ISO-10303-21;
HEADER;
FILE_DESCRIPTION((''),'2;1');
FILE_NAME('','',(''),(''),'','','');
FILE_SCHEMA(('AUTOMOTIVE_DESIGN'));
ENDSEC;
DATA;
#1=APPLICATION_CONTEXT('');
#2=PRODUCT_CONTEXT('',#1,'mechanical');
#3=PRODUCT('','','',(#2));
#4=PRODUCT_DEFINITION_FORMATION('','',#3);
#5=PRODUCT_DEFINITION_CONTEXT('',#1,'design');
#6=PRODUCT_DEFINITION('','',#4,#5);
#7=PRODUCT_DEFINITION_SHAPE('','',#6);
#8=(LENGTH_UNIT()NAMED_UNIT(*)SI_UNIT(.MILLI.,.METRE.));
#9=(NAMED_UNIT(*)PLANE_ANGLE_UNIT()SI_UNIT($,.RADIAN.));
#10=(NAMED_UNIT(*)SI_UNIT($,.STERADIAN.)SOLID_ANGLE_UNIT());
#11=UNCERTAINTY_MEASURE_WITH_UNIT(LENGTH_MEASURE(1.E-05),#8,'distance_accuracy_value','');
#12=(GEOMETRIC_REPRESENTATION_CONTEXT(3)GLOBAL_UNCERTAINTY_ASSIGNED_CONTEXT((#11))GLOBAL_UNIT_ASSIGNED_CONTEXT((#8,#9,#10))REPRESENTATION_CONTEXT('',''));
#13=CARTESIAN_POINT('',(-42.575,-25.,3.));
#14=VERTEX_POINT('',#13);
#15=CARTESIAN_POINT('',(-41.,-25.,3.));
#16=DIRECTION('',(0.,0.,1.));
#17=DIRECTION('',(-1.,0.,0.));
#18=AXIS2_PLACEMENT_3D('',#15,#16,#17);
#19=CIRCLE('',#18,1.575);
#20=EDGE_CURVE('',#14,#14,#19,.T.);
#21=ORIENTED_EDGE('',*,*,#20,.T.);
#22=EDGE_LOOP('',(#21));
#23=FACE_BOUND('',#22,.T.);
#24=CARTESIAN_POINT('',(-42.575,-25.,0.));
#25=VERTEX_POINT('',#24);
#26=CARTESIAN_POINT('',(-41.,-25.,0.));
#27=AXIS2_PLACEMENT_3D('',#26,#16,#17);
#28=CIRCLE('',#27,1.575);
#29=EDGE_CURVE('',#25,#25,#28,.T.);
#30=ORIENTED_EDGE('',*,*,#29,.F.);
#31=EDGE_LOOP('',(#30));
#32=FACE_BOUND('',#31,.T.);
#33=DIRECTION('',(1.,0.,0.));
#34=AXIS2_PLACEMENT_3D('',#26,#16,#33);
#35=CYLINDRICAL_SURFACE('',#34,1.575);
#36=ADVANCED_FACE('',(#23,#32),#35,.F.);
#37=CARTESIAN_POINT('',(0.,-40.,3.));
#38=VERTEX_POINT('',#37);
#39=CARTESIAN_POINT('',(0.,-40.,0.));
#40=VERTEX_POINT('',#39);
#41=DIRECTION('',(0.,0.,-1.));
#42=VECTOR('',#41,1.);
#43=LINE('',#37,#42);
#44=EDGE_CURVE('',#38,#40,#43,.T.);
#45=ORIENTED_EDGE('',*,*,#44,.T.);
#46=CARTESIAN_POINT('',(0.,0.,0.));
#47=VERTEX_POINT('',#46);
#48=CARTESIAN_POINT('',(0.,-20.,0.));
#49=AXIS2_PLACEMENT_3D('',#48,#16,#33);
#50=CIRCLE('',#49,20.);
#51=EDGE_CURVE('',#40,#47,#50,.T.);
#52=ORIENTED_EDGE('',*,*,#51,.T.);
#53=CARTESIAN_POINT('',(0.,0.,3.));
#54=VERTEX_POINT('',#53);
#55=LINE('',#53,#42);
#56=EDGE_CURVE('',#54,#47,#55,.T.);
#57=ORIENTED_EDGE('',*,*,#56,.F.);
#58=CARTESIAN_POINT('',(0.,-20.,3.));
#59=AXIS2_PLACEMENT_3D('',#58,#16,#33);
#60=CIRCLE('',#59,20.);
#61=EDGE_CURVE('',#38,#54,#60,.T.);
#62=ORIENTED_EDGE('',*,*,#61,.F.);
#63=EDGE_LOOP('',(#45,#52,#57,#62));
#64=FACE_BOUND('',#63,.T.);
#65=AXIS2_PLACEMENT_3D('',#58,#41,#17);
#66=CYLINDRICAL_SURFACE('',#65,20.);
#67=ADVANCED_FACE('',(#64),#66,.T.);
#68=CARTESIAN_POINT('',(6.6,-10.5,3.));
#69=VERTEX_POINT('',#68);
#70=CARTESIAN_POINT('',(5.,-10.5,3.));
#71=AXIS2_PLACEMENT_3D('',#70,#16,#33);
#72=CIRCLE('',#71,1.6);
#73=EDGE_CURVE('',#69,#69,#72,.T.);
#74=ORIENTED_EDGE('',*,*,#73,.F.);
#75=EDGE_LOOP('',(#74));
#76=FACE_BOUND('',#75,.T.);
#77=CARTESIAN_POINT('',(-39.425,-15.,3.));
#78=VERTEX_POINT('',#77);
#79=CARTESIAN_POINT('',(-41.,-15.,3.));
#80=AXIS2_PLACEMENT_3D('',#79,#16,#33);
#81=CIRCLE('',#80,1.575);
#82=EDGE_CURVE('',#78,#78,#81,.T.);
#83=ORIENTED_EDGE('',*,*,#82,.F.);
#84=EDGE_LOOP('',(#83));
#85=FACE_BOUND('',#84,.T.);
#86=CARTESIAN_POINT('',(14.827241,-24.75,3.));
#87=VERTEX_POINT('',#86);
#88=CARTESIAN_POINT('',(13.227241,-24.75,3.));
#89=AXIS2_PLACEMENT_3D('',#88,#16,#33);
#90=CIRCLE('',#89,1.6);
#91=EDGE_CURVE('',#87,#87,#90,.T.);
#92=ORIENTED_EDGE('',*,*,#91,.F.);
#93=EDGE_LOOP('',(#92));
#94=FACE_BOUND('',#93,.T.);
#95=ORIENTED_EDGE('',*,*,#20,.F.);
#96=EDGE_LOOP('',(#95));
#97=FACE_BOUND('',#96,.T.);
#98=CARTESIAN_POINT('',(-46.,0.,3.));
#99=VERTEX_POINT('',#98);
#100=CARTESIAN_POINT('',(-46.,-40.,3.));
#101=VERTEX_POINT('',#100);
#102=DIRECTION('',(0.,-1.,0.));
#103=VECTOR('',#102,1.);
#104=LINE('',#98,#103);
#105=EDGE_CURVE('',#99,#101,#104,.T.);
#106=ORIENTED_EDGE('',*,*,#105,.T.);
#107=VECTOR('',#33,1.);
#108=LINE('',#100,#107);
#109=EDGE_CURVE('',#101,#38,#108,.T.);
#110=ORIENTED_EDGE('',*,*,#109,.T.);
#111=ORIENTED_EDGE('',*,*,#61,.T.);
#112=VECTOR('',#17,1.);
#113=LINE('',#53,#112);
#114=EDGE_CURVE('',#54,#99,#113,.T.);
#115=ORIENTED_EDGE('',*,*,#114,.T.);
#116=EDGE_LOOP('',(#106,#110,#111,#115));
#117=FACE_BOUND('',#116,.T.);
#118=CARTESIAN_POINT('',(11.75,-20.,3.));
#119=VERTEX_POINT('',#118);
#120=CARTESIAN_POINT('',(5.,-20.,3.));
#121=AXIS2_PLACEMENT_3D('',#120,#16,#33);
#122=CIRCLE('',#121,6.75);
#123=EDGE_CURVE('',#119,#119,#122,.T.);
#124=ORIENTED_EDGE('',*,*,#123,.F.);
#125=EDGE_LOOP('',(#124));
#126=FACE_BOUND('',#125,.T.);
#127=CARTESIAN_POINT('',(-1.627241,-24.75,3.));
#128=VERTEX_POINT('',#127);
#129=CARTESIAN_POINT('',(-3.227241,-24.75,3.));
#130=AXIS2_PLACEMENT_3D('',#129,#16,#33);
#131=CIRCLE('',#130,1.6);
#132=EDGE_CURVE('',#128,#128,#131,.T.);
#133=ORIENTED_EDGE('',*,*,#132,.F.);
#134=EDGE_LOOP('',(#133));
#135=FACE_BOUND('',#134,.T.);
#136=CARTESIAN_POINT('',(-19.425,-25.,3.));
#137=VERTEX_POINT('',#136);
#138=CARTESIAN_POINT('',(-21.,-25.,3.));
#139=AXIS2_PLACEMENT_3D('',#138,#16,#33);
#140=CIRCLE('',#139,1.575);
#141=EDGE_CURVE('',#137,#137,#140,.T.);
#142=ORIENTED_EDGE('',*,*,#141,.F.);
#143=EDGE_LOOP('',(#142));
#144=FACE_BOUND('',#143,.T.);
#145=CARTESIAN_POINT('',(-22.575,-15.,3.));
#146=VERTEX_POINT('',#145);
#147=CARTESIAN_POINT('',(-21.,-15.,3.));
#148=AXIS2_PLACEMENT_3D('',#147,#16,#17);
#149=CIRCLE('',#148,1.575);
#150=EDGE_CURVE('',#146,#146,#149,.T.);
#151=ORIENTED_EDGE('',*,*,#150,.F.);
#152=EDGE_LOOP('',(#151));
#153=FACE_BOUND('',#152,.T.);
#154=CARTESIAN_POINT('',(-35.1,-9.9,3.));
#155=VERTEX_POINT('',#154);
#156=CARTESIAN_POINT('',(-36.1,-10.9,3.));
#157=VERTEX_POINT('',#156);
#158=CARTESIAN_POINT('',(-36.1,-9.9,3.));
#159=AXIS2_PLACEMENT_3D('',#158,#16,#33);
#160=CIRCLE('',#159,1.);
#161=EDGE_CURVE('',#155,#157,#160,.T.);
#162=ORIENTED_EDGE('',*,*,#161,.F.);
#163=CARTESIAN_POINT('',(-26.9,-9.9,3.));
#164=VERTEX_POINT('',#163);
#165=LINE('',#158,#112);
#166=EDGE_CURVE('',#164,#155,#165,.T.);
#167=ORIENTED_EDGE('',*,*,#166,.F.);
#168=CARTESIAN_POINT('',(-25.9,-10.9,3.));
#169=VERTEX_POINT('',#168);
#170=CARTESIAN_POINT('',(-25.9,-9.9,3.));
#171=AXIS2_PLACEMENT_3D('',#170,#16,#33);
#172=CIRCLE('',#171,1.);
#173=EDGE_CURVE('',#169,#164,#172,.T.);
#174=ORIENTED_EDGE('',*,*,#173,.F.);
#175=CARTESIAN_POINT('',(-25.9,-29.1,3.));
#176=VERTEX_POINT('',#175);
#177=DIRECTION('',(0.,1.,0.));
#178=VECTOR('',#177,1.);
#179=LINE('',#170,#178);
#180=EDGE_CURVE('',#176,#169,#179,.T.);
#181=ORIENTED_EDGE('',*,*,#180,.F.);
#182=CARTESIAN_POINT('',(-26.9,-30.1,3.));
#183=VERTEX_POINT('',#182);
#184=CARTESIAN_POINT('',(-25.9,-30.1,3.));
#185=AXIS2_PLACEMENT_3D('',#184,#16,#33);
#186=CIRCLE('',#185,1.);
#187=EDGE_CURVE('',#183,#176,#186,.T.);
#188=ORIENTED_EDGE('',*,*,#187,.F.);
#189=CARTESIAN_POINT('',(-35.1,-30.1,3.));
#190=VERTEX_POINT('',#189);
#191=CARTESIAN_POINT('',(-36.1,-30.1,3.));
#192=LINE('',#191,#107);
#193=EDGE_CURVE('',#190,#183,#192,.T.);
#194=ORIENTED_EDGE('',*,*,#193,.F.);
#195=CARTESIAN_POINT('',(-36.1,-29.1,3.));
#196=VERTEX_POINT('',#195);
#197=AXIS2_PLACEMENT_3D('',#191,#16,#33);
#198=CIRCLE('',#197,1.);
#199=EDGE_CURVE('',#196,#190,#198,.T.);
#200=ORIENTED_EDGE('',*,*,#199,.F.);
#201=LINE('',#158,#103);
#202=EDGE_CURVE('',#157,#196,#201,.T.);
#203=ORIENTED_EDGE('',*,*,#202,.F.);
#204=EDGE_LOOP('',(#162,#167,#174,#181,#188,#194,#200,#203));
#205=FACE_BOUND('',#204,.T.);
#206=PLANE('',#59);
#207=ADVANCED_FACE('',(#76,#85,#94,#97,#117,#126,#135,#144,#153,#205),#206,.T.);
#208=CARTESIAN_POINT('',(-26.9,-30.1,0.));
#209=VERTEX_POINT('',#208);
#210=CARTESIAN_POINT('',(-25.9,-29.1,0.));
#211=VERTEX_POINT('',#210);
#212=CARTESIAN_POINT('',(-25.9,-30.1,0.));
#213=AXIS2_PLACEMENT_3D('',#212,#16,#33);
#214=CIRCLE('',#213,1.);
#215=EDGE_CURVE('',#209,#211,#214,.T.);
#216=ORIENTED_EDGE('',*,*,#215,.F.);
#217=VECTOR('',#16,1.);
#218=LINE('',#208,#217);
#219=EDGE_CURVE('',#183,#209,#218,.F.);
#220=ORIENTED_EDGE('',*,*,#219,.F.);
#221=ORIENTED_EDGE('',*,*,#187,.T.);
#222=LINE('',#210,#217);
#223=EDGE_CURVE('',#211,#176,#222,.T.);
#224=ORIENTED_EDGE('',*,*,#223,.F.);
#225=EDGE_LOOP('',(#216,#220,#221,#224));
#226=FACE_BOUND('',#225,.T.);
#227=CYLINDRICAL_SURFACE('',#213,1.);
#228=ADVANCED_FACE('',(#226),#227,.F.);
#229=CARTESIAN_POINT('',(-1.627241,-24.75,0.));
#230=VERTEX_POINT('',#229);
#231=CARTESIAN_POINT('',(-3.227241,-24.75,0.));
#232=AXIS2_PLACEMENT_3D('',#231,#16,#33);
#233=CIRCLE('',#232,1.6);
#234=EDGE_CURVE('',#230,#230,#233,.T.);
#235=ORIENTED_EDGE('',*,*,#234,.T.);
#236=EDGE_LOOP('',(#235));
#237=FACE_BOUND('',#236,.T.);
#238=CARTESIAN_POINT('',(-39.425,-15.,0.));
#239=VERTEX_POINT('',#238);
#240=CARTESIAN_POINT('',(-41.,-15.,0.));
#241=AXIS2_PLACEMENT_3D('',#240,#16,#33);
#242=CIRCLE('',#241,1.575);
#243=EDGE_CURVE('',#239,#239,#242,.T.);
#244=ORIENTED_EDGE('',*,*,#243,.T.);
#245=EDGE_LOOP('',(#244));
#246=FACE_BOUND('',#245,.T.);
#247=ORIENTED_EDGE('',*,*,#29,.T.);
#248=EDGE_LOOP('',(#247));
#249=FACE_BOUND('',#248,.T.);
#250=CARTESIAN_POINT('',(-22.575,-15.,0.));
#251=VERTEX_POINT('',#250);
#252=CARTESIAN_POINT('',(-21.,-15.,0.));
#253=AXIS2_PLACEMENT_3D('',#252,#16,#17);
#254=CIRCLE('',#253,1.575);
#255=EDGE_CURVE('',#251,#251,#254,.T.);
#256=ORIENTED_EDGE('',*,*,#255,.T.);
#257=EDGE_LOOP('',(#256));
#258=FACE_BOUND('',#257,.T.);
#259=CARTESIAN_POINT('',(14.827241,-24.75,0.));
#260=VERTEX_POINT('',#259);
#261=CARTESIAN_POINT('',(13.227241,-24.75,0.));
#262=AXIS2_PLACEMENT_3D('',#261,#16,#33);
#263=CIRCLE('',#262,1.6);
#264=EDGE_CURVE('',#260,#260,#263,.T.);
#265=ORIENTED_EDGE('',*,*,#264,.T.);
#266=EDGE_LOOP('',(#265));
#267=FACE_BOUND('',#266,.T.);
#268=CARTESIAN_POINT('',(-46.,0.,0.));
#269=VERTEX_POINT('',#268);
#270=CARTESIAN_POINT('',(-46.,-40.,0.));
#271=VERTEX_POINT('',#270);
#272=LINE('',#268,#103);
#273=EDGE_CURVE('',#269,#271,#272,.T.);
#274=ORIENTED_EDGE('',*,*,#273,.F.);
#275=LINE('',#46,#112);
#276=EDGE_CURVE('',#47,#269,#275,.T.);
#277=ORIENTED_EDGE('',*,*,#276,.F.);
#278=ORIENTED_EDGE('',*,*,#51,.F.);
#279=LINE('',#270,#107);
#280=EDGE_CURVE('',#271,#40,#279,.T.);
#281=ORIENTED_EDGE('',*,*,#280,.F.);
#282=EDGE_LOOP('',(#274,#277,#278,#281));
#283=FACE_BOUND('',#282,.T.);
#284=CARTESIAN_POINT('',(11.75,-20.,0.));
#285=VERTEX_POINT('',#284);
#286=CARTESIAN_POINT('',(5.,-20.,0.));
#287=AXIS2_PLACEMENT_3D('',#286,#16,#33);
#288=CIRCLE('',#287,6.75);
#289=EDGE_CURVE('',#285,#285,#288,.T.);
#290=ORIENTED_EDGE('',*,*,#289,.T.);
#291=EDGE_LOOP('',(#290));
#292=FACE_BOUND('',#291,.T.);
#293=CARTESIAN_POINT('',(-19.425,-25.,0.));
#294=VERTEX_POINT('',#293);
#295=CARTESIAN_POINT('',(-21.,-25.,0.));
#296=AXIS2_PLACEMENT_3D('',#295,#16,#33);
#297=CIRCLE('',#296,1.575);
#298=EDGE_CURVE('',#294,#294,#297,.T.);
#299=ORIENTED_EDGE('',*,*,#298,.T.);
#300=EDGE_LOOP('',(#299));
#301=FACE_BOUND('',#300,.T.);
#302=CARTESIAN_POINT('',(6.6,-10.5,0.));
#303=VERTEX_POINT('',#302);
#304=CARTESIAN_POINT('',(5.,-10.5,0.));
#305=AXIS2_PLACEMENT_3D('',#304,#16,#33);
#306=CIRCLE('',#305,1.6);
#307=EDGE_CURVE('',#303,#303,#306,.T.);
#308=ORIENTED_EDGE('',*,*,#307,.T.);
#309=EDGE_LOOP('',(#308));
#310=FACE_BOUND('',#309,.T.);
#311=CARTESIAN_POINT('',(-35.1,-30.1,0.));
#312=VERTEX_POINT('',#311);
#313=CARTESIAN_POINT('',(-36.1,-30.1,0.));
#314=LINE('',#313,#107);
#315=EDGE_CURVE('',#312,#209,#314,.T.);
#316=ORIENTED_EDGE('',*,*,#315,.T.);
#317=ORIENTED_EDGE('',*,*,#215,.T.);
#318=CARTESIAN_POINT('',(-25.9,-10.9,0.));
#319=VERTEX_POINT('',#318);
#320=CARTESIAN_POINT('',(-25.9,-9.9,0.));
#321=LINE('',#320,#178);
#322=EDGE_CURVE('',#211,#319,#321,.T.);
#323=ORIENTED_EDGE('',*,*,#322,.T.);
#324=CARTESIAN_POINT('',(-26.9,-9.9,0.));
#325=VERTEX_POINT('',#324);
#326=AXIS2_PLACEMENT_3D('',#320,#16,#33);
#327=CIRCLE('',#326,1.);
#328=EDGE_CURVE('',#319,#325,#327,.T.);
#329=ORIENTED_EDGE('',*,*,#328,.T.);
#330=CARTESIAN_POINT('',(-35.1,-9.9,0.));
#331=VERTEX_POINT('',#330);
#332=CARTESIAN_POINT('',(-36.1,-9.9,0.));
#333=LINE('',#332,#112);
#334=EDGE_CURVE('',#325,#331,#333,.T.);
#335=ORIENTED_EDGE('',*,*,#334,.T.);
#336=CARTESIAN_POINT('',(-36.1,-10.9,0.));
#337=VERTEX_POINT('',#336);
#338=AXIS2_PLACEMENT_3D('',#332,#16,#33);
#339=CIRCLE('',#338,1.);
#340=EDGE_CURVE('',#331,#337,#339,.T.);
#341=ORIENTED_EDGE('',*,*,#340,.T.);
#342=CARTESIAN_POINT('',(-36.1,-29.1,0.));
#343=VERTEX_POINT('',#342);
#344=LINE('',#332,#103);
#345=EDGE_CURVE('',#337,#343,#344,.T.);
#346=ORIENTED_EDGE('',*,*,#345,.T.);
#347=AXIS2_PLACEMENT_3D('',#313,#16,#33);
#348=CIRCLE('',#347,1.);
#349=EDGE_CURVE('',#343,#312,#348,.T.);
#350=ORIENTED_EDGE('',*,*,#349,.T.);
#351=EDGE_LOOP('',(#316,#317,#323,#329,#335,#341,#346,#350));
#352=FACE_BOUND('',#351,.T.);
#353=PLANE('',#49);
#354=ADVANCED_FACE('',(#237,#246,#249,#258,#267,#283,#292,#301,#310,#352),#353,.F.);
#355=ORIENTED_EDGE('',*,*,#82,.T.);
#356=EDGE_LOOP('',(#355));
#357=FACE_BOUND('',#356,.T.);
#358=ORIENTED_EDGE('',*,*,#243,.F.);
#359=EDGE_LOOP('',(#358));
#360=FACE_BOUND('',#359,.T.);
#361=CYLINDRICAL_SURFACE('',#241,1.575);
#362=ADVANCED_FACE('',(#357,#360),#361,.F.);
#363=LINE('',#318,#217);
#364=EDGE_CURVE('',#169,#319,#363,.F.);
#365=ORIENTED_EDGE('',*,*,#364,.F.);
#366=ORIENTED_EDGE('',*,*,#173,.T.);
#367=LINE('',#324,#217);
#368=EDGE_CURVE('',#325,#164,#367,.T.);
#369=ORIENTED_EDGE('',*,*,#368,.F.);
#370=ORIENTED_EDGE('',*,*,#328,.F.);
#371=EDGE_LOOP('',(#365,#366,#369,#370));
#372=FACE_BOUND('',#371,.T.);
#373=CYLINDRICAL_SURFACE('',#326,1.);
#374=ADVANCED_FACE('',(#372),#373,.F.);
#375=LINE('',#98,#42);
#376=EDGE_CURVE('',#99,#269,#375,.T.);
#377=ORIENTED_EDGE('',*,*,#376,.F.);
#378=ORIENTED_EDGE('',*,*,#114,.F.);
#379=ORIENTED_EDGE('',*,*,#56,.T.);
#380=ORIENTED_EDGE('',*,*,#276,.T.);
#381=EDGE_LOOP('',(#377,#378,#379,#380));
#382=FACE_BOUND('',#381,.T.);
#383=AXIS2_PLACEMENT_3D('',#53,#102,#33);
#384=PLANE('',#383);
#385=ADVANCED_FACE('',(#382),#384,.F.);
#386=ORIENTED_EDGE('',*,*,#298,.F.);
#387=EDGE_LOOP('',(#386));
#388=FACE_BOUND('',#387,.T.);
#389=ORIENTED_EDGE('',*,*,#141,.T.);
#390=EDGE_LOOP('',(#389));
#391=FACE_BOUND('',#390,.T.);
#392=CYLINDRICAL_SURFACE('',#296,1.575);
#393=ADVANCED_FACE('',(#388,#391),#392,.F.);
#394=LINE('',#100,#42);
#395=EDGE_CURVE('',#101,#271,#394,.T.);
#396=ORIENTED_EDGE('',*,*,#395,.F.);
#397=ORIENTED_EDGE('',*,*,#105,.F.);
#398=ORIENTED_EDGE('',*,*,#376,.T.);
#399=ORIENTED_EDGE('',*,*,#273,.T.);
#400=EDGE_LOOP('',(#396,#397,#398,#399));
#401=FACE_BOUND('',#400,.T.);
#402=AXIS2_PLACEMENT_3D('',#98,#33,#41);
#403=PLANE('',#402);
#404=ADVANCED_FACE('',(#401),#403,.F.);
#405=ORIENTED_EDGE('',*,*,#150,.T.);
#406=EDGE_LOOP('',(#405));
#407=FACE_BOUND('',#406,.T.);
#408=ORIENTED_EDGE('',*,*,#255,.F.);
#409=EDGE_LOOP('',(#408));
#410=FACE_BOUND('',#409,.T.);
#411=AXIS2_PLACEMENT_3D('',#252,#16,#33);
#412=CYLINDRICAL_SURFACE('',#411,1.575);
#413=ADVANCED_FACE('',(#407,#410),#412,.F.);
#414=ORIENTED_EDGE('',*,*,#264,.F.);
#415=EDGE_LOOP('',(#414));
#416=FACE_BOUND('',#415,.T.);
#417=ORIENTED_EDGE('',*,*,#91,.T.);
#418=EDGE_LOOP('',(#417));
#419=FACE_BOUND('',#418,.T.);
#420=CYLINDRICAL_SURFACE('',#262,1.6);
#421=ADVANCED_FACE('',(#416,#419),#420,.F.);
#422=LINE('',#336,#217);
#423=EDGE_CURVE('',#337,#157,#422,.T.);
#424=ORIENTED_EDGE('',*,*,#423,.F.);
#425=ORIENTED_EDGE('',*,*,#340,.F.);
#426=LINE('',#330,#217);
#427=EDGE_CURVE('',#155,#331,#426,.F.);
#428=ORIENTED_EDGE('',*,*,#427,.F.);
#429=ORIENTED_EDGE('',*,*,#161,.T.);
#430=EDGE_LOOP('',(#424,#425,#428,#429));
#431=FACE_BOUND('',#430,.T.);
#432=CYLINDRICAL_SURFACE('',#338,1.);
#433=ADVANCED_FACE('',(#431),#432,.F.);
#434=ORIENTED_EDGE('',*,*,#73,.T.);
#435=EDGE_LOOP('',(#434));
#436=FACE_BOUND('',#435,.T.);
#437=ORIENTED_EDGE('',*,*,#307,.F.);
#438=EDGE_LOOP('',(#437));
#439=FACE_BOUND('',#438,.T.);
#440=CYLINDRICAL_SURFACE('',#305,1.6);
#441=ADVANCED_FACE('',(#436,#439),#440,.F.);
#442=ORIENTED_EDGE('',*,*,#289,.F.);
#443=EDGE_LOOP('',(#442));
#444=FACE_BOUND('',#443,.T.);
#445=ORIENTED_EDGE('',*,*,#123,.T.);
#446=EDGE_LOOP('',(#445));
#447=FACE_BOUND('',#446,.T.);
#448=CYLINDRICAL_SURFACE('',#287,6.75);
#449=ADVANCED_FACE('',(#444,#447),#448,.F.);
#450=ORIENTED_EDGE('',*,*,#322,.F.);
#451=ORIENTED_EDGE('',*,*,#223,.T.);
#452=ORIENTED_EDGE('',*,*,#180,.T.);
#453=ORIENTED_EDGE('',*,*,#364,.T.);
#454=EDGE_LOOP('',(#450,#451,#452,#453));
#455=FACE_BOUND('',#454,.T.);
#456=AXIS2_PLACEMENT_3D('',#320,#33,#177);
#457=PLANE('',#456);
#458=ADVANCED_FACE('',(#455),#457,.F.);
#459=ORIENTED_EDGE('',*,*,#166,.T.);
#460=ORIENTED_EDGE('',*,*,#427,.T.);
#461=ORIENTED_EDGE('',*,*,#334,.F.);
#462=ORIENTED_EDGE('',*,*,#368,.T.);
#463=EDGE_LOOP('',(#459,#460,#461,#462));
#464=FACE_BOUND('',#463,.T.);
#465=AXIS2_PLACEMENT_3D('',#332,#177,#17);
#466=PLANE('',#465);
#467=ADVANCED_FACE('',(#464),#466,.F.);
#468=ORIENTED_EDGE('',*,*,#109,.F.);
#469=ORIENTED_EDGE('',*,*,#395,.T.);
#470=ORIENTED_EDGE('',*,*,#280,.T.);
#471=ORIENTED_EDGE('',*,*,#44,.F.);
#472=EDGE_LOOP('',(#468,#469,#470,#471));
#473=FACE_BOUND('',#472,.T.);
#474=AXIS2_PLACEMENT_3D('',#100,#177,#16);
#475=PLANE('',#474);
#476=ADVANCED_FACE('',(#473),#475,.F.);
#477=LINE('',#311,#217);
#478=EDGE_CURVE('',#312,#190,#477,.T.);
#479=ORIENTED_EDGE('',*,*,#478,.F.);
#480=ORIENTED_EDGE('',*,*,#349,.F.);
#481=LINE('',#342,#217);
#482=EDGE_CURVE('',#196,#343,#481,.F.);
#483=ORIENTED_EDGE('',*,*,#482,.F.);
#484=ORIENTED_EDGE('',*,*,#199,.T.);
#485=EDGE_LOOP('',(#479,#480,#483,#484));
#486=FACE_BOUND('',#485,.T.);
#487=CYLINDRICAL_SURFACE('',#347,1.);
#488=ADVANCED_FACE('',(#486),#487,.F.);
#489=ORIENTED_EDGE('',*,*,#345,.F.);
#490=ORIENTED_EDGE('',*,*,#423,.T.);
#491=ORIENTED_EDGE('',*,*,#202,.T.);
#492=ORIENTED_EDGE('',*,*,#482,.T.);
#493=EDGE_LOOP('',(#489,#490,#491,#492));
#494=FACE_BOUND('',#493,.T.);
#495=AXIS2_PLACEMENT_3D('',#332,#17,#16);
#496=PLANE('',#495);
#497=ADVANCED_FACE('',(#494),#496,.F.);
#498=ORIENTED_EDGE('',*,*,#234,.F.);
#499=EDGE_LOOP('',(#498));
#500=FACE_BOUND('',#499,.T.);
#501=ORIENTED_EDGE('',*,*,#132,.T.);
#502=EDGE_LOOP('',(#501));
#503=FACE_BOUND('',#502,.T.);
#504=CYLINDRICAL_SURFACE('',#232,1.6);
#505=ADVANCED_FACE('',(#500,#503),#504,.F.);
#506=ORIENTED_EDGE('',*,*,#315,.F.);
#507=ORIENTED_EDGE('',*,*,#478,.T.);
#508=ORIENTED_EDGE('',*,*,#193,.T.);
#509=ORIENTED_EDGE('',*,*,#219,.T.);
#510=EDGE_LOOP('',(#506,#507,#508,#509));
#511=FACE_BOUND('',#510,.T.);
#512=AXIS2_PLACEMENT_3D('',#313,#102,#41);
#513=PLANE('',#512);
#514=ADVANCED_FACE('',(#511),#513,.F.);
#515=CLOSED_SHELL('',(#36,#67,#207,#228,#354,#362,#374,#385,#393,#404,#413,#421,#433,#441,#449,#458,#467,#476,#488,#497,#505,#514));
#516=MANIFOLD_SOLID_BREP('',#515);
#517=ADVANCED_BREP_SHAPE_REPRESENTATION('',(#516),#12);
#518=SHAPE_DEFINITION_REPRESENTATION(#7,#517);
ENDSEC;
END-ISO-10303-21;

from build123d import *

# Parameters (mm, degrees)
EXTRUDE_1_DEPTH     = 3
SKETCH_2_R          = 1.575
SKETCH_2_R_2        = 6.75
SKETCH_2_R_3        = 1.6
SKETCH_2_W          = 10.2
SKETCH_2_H          = 20.2
CUT_EXTRUDE_1_DEPTH = 62.032778079
SKETCH_3_R          = 1
CUT_EXTRUDE_2_DEPTH = 62.032778079


with BuildPart() as part:
    # 草图1 → 凸台-拉伸1 (new body)
    with BuildSketch(Plane.XY):
        with BuildLine():
            Line((0, 0), (-46, 0))
            Line((-46, 0), (-46, -40))
            Line((-46, -40), (0, -40))
            ThreePointArc((0, -40), (20, -20), (0, 0))
        make_face()
    extrude(amount=EXTRUDE_1_DEPTH)

    # 草图2 → 切除-拉伸1 (cut, through all)
    with BuildSketch(Plane.XY.offset(3)):
        with Locations((-41, -15)):
            Circle(SKETCH_2_R)
        with Locations(Location((-41, -25, 0), (0, 0, 180))):
            Circle(SKETCH_2_R)
        with Locations((-21, -25)):
            Circle(SKETCH_2_R)
        with Locations(Location((-21, -15, 0), (0, 0, 180))):
            Circle(SKETCH_2_R)
        with Locations((5, -20)):
            Circle(SKETCH_2_R_2)
        with Locations((5, -10.5)):
            Circle(SKETCH_2_R_3)
        with Locations((13.227241336, -24.75)):
            Circle(SKETCH_2_R_3)
        with Locations((-3.227241336, -24.75)):
            Circle(SKETCH_2_R_3)
        with Locations((-31, -20)):
            Rectangle(SKETCH_2_W, SKETCH_2_H)
    extrude(amount=-CUT_EXTRUDE_1_DEPTH, mode=Mode.SUBTRACT)

    # 草图3 → 切除-拉伸2 (cut, through all)
    with BuildSketch(Plane.XY.offset(3)):
        with Locations((-25.9, -9.9)):
            Circle(SKETCH_3_R)
        with Locations((-25.9, -30.1)):
            Circle(SKETCH_3_R)
        with Locations((-36.1, -30.1)):
            Circle(SKETCH_3_R)
        with Locations((-36.1, -9.9)):
            Circle(SKETCH_3_R)
    extrude(amount=-CUT_EXTRUDE_2_DEPTH, mode=Mode.SUBTRACT)


solid = part.part
